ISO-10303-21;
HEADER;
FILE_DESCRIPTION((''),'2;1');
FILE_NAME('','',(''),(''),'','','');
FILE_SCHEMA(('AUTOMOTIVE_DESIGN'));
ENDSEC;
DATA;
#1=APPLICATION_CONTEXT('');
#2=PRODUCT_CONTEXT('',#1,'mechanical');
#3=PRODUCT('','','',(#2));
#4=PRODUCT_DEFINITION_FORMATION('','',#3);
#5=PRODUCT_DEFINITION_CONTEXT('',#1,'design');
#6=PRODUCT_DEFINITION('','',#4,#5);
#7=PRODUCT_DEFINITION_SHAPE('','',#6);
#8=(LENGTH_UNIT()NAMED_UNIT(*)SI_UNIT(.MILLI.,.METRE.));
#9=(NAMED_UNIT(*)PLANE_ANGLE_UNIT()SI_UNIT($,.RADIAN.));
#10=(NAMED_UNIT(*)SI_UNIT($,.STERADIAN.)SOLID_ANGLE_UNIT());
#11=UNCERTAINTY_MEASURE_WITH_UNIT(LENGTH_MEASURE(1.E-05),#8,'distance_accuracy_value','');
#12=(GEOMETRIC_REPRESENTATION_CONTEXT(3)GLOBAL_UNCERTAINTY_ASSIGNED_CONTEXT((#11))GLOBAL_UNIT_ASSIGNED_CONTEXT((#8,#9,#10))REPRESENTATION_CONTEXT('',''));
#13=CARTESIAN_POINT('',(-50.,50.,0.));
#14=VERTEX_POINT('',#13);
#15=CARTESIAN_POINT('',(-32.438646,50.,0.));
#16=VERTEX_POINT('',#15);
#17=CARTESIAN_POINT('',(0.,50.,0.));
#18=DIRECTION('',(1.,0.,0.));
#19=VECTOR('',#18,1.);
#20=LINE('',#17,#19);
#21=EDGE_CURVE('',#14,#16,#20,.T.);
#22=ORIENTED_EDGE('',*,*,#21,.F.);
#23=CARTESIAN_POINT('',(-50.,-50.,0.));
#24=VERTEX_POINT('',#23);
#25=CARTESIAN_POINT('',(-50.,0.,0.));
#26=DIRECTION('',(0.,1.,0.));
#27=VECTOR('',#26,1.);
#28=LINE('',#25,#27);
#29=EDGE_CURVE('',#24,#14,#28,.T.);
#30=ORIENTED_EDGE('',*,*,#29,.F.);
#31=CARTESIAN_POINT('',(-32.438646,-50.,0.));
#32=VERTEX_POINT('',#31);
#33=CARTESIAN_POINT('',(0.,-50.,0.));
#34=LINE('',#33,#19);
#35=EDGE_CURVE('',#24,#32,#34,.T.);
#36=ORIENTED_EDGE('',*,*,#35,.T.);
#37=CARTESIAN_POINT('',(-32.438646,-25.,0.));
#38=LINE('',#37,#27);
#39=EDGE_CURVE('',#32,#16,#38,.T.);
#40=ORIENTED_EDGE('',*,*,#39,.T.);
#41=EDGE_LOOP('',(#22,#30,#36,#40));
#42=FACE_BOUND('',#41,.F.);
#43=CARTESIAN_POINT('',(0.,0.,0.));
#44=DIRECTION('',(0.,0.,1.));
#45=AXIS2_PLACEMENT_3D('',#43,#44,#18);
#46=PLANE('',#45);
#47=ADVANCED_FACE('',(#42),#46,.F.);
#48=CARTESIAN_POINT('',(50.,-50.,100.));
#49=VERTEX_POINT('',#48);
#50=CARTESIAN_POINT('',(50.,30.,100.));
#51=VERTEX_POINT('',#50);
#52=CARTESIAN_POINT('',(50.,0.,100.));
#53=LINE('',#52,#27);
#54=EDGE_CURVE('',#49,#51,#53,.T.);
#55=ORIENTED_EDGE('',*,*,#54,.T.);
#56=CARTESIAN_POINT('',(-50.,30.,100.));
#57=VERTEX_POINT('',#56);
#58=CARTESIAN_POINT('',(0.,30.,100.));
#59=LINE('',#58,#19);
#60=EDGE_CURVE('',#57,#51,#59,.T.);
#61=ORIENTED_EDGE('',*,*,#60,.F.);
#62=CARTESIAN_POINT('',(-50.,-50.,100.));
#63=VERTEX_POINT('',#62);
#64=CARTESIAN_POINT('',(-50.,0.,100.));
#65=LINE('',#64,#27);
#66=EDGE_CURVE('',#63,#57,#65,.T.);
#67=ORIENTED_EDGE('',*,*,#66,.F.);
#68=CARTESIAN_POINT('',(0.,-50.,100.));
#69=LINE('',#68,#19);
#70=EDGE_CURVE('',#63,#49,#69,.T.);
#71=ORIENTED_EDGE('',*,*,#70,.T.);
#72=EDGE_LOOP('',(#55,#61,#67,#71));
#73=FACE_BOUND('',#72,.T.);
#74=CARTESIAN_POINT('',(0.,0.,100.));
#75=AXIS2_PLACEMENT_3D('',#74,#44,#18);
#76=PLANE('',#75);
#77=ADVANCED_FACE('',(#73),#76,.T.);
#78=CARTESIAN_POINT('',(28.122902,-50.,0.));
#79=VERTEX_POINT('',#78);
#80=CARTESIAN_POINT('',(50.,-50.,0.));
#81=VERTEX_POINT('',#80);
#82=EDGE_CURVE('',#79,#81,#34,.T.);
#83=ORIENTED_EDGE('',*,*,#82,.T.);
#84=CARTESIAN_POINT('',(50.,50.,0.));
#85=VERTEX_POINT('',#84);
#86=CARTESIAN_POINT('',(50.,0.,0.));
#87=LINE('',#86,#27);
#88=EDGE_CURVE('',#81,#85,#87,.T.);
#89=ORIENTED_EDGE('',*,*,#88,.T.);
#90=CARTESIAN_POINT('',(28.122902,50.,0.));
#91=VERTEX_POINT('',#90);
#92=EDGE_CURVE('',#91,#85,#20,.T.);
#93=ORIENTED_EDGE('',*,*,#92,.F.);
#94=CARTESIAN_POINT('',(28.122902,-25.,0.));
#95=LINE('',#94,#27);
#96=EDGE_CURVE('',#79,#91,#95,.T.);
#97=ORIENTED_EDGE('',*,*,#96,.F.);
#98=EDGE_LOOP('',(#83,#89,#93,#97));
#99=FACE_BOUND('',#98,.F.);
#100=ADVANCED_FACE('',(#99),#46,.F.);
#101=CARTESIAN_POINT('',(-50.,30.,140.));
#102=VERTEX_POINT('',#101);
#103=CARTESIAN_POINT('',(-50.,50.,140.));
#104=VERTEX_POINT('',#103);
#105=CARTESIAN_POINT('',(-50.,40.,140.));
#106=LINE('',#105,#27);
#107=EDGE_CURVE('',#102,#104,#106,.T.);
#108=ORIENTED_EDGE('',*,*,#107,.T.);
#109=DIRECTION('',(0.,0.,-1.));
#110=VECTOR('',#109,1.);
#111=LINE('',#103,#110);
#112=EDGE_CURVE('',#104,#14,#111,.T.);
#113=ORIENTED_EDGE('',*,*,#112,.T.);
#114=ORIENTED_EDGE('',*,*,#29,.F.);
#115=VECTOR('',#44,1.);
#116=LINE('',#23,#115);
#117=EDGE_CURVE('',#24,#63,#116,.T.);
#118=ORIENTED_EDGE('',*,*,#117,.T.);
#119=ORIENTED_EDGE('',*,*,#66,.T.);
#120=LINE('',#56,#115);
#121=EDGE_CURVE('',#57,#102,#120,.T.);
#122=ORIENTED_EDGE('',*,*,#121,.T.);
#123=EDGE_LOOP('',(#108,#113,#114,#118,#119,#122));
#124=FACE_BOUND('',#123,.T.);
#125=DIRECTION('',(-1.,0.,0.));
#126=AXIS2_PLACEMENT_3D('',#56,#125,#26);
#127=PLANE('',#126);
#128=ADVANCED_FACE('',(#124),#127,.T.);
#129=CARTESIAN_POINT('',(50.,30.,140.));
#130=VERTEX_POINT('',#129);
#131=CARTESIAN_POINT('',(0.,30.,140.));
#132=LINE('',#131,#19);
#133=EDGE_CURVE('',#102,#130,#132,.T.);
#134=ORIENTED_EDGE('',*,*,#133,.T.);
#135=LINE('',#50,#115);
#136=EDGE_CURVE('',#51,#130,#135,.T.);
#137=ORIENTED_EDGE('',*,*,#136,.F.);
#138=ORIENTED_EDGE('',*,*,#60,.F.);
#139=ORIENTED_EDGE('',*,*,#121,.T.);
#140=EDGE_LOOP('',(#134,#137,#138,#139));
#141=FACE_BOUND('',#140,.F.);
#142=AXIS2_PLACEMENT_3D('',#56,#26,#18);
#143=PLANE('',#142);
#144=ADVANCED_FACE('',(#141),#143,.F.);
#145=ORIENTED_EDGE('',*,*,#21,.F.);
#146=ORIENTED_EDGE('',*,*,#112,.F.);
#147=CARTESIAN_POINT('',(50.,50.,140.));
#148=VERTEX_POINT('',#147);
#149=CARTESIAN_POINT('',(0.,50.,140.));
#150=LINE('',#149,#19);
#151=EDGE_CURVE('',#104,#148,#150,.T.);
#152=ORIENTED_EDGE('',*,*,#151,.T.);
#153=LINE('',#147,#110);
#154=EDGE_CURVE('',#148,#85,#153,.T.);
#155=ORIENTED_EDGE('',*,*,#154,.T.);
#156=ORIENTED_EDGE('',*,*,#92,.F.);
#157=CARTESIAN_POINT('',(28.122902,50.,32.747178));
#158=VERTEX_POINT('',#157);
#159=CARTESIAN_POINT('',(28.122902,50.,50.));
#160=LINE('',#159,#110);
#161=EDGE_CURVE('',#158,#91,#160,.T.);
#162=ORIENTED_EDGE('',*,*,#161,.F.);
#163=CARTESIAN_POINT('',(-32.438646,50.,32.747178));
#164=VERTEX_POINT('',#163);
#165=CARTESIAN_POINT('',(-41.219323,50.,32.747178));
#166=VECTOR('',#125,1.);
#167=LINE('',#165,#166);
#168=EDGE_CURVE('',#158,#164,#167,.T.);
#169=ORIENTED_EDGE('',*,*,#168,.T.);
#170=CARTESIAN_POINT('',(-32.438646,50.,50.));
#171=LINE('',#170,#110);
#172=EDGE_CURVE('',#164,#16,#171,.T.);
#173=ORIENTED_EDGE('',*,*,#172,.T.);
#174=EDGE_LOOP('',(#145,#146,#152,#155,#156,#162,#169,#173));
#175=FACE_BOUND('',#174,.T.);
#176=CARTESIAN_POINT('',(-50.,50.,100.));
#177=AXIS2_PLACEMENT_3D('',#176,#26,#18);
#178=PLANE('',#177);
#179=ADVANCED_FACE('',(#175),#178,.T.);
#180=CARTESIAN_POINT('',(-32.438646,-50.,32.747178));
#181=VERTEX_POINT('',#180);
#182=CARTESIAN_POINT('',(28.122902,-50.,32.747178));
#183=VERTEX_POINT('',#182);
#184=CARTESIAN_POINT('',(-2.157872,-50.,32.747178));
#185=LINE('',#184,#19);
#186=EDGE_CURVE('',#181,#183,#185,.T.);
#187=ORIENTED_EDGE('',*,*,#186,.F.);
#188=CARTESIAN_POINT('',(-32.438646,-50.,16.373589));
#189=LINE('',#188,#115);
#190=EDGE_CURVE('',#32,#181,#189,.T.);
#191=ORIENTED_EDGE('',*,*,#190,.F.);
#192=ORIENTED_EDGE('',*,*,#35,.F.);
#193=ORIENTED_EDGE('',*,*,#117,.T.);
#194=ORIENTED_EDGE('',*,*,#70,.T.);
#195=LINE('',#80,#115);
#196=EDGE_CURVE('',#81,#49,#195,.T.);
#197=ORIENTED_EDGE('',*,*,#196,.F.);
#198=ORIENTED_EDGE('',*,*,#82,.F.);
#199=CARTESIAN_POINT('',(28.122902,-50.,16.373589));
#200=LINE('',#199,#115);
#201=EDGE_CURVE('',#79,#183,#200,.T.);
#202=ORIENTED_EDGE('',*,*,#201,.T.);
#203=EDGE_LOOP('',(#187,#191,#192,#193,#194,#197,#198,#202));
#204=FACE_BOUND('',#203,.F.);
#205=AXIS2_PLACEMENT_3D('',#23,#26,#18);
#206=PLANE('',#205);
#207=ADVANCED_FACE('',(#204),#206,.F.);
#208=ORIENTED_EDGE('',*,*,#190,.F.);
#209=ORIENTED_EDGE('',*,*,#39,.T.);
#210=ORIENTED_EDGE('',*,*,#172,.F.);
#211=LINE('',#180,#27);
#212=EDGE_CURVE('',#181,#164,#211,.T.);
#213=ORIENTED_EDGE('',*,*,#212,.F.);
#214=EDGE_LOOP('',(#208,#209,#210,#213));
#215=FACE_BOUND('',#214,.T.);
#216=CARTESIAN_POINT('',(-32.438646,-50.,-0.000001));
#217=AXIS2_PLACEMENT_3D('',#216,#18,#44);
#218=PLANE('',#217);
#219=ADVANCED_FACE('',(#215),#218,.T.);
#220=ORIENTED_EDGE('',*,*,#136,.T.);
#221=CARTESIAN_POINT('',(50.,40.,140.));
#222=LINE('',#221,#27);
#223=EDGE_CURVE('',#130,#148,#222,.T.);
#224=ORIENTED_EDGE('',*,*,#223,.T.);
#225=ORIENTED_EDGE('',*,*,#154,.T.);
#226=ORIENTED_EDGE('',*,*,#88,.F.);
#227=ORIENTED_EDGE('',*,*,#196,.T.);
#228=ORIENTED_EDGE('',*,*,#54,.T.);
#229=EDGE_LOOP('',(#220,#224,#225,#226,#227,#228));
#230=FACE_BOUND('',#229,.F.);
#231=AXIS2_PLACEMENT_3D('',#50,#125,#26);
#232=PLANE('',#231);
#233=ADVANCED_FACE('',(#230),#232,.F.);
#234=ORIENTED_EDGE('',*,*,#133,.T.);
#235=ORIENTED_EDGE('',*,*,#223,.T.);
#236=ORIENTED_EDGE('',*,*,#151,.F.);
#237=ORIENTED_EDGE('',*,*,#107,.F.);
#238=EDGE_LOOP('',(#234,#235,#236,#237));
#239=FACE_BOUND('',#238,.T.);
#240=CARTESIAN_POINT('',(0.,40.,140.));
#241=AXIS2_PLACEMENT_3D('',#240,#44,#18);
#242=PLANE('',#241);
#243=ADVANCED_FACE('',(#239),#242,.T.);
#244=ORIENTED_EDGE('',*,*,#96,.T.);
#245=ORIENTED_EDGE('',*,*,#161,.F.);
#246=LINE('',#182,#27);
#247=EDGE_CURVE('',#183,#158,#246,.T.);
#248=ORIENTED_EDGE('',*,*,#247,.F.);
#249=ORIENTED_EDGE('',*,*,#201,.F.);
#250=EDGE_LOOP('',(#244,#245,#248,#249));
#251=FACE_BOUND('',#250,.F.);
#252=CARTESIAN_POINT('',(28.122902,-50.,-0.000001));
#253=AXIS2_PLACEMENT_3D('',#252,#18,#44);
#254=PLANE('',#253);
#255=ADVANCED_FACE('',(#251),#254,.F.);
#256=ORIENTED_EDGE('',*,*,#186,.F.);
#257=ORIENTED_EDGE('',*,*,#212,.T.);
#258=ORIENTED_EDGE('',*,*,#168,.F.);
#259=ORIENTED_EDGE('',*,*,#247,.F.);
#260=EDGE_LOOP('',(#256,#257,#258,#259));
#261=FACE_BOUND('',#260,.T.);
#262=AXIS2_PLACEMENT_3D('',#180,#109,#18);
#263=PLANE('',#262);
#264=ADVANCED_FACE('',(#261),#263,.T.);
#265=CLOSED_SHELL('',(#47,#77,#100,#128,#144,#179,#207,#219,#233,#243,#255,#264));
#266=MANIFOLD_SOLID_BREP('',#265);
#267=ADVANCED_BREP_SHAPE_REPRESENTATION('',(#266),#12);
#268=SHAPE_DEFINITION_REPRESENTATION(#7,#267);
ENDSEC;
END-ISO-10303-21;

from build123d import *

# Parameters (mm, degrees)
F0_W     = 100
F0_H     = 100
F1_DEPTH = 100
F2_W     = 100
F2_H     = 20
F3_DEPTH = 40
F4_W     = 60.561549
F4_H     = 32.747179
F5_DEPTH = 100.001


with BuildPart() as f1:
    # F0 (on Top) → F1 (new body)
    with BuildSketch(Plane.XY):
        Rectangle(F0_W, F0_H)
    extrude(amount=F1_DEPTH)

    # F2 (on face) → F3 (join)
    with BuildSketch(Plane.XY.offset(100)):
        with Locations((0, 40)):
            Rectangle(F2_W, F2_H)
    extrude(amount=F3_DEPTH)

    # F4 (on face) → F5 (cut, through all)
    with BuildSketch(Plane.XZ.offset(50)):
        with Locations((-2.157872, 16.373589)):
            Rectangle(F4_W, F4_H)
    extrude(amount=-F5_DEPTH, mode=Mode.SUBTRACT)


solid = f1.part
